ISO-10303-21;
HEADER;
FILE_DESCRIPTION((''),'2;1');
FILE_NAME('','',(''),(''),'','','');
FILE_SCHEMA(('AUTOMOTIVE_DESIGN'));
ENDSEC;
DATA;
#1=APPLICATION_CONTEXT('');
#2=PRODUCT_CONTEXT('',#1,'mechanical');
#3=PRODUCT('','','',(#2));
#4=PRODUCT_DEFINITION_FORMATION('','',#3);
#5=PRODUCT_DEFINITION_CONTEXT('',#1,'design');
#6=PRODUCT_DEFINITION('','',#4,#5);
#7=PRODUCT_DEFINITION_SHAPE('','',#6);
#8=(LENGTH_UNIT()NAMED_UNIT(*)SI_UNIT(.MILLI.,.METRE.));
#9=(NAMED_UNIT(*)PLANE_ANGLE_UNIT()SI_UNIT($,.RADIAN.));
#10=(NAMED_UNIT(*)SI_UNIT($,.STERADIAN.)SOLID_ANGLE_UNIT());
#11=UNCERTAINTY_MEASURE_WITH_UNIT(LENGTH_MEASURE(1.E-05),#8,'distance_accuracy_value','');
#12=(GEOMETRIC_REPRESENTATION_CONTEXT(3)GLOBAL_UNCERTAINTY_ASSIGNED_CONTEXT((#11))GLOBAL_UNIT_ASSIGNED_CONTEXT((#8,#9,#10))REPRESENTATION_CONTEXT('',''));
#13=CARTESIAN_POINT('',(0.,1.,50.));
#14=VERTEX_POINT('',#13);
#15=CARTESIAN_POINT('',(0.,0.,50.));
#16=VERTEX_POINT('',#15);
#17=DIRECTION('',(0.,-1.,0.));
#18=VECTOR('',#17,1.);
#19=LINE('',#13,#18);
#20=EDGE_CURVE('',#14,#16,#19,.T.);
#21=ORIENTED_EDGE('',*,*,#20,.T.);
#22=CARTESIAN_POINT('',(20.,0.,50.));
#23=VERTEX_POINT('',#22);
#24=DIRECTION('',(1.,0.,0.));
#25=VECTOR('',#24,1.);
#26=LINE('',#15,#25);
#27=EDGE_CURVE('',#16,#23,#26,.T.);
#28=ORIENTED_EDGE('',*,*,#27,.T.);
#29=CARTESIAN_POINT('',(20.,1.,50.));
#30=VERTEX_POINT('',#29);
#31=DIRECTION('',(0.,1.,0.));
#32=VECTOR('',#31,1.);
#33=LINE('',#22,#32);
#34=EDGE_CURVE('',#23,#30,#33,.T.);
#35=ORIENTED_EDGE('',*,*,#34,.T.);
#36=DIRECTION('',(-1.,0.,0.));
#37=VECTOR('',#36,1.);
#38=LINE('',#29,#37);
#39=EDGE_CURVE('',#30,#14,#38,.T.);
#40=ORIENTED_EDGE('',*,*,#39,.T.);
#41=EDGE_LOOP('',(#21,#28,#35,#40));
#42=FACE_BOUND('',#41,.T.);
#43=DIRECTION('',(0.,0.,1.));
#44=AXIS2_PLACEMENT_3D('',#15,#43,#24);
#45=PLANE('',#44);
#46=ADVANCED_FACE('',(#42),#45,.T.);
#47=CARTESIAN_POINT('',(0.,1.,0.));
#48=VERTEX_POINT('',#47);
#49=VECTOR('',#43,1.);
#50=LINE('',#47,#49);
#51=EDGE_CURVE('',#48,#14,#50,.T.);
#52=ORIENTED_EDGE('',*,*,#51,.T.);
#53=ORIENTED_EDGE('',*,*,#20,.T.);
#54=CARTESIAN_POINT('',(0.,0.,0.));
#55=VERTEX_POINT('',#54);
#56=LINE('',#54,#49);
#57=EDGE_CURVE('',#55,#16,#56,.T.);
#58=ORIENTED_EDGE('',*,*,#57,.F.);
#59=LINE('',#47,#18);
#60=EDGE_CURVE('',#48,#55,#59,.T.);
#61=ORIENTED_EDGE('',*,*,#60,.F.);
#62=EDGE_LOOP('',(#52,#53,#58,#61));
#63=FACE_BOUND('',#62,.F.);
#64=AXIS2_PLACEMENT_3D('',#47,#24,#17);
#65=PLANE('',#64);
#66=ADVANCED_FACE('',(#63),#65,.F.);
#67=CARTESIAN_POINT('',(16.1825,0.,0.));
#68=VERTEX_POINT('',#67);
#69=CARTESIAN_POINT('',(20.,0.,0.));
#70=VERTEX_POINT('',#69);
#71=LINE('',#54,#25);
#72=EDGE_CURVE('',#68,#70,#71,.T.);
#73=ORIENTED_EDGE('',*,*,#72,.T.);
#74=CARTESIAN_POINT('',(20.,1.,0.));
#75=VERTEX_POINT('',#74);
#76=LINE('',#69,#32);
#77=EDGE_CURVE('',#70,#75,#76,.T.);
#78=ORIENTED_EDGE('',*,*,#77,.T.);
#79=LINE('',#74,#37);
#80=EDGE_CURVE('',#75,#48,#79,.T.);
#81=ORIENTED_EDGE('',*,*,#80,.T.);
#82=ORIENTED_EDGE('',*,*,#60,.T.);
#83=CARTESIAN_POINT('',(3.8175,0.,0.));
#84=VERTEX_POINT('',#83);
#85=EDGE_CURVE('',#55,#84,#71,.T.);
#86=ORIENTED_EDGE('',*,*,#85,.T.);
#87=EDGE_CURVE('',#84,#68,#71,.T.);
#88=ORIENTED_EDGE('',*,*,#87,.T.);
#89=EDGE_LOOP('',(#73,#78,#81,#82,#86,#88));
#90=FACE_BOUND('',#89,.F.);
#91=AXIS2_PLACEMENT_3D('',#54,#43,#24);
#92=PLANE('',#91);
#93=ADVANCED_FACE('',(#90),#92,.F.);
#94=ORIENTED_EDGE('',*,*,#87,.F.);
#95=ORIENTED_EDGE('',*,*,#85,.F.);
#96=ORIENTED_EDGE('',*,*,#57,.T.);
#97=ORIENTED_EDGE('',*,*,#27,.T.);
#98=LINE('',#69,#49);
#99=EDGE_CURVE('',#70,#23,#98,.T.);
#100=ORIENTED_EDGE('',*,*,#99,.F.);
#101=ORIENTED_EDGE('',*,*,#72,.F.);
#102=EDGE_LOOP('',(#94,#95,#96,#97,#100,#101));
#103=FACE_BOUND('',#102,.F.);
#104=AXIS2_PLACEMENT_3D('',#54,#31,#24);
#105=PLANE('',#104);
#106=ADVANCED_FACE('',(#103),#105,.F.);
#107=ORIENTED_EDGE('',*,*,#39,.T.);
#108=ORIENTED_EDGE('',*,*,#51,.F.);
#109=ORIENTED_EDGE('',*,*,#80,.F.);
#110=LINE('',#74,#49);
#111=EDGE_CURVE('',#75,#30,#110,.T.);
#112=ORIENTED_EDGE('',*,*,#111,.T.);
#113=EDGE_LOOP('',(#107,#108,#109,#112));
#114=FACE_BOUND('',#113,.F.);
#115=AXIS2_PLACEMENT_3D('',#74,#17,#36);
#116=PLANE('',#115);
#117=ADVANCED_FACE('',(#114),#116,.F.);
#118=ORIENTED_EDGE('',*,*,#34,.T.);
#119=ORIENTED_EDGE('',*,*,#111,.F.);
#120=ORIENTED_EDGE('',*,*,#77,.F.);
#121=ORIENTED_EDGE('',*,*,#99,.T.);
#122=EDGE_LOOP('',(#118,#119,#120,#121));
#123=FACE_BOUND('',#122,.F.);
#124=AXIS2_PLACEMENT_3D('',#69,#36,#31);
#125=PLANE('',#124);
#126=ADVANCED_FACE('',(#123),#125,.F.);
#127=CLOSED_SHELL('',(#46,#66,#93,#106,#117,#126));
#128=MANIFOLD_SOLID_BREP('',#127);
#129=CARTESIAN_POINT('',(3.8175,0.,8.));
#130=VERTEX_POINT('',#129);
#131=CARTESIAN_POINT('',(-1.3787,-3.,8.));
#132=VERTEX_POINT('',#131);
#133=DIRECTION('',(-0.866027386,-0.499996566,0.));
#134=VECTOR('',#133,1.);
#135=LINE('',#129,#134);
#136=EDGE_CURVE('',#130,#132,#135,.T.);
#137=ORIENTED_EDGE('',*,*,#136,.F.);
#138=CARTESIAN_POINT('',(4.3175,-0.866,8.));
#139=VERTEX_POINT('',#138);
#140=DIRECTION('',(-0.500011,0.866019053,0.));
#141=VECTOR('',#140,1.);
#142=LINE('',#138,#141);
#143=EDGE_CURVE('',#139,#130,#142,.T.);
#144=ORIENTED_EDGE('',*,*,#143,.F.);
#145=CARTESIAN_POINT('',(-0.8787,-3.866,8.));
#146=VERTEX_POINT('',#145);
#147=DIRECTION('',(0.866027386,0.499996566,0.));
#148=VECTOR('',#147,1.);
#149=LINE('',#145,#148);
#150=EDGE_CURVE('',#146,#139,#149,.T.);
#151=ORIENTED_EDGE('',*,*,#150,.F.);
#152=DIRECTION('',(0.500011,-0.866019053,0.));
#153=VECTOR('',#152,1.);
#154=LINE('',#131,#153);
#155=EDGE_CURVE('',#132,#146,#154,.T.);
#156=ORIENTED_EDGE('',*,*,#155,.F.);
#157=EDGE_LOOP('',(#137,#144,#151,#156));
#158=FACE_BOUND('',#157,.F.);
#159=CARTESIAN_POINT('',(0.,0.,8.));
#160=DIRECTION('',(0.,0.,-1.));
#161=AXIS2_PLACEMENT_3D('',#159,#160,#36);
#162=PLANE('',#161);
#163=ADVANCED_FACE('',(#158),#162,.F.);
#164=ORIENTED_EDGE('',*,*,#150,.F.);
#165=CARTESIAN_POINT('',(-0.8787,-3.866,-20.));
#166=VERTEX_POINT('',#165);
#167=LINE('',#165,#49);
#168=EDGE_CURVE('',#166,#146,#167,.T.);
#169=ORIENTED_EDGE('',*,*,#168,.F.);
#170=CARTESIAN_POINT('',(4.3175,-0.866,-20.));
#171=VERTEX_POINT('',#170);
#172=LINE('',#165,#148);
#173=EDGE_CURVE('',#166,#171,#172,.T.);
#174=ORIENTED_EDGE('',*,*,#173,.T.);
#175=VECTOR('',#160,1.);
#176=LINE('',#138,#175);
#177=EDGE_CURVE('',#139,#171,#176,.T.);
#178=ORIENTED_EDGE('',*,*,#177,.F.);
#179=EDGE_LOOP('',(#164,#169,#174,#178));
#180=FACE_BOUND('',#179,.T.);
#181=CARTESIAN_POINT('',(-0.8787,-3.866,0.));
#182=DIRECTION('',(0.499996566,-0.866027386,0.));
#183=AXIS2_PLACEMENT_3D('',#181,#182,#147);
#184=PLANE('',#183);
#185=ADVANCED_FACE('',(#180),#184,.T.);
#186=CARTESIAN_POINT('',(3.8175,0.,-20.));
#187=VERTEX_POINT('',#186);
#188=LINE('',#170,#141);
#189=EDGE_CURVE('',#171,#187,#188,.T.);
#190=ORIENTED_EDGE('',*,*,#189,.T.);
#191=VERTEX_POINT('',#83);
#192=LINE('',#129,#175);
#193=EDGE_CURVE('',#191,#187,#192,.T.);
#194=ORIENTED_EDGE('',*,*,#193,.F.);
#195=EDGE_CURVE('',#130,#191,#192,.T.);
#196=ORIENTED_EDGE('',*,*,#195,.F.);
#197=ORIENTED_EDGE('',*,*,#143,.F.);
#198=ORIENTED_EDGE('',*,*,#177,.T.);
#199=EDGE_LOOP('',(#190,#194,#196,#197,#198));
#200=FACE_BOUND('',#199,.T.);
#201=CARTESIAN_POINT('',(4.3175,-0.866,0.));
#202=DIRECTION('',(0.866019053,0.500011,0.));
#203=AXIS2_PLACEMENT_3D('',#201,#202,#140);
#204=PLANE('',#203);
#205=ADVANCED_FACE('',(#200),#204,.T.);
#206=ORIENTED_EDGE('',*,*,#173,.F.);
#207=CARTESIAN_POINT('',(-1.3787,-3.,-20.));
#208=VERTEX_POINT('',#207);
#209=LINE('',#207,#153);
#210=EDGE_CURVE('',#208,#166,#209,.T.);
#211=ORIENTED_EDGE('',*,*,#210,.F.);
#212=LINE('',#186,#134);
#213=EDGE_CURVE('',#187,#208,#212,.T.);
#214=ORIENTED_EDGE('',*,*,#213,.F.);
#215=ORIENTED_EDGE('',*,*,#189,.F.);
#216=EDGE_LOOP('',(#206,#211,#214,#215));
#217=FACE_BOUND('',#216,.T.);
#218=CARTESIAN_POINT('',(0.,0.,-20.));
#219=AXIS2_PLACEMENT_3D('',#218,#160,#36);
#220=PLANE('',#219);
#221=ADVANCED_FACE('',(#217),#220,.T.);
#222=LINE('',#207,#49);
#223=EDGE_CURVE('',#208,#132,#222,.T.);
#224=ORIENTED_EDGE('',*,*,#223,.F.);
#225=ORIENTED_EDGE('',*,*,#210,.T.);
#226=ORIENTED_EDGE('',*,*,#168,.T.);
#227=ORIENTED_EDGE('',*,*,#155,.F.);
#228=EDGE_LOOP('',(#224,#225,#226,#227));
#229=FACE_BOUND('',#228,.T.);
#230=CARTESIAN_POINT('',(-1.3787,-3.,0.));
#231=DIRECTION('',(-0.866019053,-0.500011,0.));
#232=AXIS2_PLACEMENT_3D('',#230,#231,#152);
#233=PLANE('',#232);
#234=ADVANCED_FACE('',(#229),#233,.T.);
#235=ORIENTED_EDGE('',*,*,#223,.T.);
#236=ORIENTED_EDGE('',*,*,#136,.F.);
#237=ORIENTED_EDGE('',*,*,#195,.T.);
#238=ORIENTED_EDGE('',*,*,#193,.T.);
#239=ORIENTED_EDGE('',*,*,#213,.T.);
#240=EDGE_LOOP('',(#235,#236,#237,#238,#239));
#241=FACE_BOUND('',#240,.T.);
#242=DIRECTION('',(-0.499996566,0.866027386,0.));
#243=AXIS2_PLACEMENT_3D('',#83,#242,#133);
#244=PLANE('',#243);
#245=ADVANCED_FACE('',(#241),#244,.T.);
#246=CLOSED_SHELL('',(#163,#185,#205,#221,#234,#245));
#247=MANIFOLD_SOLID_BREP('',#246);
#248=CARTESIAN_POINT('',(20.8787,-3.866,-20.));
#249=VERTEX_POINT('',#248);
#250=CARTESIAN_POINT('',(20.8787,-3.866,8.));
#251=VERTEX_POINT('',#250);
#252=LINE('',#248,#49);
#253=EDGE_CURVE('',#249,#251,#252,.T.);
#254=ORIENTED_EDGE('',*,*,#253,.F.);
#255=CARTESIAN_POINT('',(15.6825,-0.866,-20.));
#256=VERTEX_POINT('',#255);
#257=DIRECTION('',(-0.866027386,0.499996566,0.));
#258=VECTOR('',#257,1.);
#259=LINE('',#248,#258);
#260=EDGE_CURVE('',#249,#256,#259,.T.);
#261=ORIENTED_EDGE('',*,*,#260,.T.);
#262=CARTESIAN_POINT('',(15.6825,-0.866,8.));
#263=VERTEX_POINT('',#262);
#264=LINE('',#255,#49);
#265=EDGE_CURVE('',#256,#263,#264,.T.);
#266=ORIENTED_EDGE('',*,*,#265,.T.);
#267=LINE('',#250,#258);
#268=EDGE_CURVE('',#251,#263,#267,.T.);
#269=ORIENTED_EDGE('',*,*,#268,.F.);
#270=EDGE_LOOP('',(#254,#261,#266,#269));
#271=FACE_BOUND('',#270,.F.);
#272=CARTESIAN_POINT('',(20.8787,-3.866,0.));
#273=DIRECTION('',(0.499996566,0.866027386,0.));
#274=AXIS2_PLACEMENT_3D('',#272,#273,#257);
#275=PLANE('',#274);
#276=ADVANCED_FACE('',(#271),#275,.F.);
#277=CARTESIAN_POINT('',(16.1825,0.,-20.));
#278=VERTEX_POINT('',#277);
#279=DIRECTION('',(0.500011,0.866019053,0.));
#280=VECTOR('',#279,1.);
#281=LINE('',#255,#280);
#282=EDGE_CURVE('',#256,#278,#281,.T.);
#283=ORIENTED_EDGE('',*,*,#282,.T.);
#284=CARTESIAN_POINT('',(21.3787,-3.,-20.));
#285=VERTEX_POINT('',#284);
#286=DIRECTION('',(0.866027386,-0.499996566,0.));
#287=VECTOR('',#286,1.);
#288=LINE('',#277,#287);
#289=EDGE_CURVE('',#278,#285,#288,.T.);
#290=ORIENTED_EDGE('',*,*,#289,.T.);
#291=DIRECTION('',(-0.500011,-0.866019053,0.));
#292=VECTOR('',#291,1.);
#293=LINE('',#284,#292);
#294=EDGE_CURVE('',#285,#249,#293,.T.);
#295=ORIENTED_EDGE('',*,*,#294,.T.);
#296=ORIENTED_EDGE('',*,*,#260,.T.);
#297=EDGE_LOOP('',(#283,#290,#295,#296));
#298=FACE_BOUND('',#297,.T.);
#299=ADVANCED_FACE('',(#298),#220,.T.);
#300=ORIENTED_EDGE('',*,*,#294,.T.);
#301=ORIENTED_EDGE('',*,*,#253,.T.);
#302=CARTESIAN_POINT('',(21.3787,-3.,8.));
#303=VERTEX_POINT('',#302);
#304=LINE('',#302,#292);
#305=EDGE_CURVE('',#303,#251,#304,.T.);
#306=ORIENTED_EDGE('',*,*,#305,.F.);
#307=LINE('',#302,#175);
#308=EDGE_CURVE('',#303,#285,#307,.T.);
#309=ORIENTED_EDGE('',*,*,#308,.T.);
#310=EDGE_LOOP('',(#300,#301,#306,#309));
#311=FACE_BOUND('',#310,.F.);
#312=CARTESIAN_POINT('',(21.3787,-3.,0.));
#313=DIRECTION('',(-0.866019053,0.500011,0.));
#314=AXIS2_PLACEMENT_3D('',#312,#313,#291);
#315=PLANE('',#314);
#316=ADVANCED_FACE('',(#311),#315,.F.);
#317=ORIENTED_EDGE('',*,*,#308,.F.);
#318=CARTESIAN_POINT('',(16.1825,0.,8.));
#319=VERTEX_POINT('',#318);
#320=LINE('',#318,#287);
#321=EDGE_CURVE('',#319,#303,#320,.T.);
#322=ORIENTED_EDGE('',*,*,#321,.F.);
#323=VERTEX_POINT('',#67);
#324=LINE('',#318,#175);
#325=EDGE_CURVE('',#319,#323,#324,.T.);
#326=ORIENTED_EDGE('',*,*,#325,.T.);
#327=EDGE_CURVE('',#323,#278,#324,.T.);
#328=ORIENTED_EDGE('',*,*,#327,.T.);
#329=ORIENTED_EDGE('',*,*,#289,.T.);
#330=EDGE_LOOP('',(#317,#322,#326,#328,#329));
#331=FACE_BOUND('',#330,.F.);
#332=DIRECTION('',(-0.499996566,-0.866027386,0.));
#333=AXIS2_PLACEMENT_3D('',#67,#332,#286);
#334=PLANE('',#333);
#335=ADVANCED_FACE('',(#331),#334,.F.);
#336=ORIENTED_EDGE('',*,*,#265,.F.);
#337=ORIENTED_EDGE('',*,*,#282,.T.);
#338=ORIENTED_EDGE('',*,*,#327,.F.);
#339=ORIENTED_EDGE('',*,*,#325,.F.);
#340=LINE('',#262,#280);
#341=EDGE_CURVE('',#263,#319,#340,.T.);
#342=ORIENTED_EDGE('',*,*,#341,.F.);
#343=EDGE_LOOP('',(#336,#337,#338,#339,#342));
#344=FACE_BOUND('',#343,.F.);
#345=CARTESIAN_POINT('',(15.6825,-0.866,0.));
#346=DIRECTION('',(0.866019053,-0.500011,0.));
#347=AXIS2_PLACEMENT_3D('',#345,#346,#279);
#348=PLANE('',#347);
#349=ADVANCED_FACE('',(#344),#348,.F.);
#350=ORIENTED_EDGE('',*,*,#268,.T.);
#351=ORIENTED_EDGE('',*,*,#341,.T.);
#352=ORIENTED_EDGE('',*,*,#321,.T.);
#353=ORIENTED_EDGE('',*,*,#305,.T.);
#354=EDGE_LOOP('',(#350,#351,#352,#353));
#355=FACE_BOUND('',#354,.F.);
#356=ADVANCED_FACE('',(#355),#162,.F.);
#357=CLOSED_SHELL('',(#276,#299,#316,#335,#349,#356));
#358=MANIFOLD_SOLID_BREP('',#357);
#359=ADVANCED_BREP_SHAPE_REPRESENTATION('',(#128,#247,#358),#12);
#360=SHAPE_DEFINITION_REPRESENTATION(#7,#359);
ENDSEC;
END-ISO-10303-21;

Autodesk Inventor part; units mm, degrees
ref_plane "YZ Plane" through (0, 0, 0) normal (1, 0, 0) x (0, 1, 0)
ref_plane "XZ Plane" through (0, 0, 0) normal (0, 1, 0) x (-1, 0, 0)
ref_plane "XY Plane" through (0, 0, 0) normal (0, 0, 1) x (1, 0, 0)
sketch "Sketch1" plane through (0, 0, 0) normal (0, 0, 1) x (1, 0, 0)
  line L0 (0, 0) -> (20, 0)
  line L1 (20, 0) -> (20, 1)
  line L2 (20, 1) -> (0, 1)
  line L3 (0, 1) -> (0, 0)
  dimension "d0" = 20
  dimension "d1" = 1
extrude "Extrusion1" add sketch "Sketch1" along normal blind 50
sketch "Sketch2" plane through (0, 0, 0) normal (0, 0, -1) x (-1, 0, 0)
  line L0 (0, 0) -> (-20, 0) projected
  line L1 (-3.8175, 0) -> (1.3787, -3)
  line L2 (1.3787, -3) -> (0.8787, -3.866)
  line L3 (0.8787, -3.866) -> (-4.3175, -0.866)
  line L4 (-4.3175, -0.866) -> (-3.8175, 0)
  line L5 (-10, 0) -> (-10, -4.6916)
  line L6 (-16.1825, 0) -> (-21.3787, -3)
  line L7 (-21.3787, -3) -> (-20.8787, -3.866)
  line L8 (-20.8787, -3.866) -> (-15.6825, -0.866)
  line L9 (-15.6825, -0.866) -> (-16.1825, 0)
  dimension "d4" = 1
  dimension "d6" = 12.365
  dimension "d7" = 120
  dimension "d8" = 6
extrude "Extrusion2" add sketch "Sketch2" along normal blind 20 and the other way blind 8
properties part number "buttons_PCBs"
